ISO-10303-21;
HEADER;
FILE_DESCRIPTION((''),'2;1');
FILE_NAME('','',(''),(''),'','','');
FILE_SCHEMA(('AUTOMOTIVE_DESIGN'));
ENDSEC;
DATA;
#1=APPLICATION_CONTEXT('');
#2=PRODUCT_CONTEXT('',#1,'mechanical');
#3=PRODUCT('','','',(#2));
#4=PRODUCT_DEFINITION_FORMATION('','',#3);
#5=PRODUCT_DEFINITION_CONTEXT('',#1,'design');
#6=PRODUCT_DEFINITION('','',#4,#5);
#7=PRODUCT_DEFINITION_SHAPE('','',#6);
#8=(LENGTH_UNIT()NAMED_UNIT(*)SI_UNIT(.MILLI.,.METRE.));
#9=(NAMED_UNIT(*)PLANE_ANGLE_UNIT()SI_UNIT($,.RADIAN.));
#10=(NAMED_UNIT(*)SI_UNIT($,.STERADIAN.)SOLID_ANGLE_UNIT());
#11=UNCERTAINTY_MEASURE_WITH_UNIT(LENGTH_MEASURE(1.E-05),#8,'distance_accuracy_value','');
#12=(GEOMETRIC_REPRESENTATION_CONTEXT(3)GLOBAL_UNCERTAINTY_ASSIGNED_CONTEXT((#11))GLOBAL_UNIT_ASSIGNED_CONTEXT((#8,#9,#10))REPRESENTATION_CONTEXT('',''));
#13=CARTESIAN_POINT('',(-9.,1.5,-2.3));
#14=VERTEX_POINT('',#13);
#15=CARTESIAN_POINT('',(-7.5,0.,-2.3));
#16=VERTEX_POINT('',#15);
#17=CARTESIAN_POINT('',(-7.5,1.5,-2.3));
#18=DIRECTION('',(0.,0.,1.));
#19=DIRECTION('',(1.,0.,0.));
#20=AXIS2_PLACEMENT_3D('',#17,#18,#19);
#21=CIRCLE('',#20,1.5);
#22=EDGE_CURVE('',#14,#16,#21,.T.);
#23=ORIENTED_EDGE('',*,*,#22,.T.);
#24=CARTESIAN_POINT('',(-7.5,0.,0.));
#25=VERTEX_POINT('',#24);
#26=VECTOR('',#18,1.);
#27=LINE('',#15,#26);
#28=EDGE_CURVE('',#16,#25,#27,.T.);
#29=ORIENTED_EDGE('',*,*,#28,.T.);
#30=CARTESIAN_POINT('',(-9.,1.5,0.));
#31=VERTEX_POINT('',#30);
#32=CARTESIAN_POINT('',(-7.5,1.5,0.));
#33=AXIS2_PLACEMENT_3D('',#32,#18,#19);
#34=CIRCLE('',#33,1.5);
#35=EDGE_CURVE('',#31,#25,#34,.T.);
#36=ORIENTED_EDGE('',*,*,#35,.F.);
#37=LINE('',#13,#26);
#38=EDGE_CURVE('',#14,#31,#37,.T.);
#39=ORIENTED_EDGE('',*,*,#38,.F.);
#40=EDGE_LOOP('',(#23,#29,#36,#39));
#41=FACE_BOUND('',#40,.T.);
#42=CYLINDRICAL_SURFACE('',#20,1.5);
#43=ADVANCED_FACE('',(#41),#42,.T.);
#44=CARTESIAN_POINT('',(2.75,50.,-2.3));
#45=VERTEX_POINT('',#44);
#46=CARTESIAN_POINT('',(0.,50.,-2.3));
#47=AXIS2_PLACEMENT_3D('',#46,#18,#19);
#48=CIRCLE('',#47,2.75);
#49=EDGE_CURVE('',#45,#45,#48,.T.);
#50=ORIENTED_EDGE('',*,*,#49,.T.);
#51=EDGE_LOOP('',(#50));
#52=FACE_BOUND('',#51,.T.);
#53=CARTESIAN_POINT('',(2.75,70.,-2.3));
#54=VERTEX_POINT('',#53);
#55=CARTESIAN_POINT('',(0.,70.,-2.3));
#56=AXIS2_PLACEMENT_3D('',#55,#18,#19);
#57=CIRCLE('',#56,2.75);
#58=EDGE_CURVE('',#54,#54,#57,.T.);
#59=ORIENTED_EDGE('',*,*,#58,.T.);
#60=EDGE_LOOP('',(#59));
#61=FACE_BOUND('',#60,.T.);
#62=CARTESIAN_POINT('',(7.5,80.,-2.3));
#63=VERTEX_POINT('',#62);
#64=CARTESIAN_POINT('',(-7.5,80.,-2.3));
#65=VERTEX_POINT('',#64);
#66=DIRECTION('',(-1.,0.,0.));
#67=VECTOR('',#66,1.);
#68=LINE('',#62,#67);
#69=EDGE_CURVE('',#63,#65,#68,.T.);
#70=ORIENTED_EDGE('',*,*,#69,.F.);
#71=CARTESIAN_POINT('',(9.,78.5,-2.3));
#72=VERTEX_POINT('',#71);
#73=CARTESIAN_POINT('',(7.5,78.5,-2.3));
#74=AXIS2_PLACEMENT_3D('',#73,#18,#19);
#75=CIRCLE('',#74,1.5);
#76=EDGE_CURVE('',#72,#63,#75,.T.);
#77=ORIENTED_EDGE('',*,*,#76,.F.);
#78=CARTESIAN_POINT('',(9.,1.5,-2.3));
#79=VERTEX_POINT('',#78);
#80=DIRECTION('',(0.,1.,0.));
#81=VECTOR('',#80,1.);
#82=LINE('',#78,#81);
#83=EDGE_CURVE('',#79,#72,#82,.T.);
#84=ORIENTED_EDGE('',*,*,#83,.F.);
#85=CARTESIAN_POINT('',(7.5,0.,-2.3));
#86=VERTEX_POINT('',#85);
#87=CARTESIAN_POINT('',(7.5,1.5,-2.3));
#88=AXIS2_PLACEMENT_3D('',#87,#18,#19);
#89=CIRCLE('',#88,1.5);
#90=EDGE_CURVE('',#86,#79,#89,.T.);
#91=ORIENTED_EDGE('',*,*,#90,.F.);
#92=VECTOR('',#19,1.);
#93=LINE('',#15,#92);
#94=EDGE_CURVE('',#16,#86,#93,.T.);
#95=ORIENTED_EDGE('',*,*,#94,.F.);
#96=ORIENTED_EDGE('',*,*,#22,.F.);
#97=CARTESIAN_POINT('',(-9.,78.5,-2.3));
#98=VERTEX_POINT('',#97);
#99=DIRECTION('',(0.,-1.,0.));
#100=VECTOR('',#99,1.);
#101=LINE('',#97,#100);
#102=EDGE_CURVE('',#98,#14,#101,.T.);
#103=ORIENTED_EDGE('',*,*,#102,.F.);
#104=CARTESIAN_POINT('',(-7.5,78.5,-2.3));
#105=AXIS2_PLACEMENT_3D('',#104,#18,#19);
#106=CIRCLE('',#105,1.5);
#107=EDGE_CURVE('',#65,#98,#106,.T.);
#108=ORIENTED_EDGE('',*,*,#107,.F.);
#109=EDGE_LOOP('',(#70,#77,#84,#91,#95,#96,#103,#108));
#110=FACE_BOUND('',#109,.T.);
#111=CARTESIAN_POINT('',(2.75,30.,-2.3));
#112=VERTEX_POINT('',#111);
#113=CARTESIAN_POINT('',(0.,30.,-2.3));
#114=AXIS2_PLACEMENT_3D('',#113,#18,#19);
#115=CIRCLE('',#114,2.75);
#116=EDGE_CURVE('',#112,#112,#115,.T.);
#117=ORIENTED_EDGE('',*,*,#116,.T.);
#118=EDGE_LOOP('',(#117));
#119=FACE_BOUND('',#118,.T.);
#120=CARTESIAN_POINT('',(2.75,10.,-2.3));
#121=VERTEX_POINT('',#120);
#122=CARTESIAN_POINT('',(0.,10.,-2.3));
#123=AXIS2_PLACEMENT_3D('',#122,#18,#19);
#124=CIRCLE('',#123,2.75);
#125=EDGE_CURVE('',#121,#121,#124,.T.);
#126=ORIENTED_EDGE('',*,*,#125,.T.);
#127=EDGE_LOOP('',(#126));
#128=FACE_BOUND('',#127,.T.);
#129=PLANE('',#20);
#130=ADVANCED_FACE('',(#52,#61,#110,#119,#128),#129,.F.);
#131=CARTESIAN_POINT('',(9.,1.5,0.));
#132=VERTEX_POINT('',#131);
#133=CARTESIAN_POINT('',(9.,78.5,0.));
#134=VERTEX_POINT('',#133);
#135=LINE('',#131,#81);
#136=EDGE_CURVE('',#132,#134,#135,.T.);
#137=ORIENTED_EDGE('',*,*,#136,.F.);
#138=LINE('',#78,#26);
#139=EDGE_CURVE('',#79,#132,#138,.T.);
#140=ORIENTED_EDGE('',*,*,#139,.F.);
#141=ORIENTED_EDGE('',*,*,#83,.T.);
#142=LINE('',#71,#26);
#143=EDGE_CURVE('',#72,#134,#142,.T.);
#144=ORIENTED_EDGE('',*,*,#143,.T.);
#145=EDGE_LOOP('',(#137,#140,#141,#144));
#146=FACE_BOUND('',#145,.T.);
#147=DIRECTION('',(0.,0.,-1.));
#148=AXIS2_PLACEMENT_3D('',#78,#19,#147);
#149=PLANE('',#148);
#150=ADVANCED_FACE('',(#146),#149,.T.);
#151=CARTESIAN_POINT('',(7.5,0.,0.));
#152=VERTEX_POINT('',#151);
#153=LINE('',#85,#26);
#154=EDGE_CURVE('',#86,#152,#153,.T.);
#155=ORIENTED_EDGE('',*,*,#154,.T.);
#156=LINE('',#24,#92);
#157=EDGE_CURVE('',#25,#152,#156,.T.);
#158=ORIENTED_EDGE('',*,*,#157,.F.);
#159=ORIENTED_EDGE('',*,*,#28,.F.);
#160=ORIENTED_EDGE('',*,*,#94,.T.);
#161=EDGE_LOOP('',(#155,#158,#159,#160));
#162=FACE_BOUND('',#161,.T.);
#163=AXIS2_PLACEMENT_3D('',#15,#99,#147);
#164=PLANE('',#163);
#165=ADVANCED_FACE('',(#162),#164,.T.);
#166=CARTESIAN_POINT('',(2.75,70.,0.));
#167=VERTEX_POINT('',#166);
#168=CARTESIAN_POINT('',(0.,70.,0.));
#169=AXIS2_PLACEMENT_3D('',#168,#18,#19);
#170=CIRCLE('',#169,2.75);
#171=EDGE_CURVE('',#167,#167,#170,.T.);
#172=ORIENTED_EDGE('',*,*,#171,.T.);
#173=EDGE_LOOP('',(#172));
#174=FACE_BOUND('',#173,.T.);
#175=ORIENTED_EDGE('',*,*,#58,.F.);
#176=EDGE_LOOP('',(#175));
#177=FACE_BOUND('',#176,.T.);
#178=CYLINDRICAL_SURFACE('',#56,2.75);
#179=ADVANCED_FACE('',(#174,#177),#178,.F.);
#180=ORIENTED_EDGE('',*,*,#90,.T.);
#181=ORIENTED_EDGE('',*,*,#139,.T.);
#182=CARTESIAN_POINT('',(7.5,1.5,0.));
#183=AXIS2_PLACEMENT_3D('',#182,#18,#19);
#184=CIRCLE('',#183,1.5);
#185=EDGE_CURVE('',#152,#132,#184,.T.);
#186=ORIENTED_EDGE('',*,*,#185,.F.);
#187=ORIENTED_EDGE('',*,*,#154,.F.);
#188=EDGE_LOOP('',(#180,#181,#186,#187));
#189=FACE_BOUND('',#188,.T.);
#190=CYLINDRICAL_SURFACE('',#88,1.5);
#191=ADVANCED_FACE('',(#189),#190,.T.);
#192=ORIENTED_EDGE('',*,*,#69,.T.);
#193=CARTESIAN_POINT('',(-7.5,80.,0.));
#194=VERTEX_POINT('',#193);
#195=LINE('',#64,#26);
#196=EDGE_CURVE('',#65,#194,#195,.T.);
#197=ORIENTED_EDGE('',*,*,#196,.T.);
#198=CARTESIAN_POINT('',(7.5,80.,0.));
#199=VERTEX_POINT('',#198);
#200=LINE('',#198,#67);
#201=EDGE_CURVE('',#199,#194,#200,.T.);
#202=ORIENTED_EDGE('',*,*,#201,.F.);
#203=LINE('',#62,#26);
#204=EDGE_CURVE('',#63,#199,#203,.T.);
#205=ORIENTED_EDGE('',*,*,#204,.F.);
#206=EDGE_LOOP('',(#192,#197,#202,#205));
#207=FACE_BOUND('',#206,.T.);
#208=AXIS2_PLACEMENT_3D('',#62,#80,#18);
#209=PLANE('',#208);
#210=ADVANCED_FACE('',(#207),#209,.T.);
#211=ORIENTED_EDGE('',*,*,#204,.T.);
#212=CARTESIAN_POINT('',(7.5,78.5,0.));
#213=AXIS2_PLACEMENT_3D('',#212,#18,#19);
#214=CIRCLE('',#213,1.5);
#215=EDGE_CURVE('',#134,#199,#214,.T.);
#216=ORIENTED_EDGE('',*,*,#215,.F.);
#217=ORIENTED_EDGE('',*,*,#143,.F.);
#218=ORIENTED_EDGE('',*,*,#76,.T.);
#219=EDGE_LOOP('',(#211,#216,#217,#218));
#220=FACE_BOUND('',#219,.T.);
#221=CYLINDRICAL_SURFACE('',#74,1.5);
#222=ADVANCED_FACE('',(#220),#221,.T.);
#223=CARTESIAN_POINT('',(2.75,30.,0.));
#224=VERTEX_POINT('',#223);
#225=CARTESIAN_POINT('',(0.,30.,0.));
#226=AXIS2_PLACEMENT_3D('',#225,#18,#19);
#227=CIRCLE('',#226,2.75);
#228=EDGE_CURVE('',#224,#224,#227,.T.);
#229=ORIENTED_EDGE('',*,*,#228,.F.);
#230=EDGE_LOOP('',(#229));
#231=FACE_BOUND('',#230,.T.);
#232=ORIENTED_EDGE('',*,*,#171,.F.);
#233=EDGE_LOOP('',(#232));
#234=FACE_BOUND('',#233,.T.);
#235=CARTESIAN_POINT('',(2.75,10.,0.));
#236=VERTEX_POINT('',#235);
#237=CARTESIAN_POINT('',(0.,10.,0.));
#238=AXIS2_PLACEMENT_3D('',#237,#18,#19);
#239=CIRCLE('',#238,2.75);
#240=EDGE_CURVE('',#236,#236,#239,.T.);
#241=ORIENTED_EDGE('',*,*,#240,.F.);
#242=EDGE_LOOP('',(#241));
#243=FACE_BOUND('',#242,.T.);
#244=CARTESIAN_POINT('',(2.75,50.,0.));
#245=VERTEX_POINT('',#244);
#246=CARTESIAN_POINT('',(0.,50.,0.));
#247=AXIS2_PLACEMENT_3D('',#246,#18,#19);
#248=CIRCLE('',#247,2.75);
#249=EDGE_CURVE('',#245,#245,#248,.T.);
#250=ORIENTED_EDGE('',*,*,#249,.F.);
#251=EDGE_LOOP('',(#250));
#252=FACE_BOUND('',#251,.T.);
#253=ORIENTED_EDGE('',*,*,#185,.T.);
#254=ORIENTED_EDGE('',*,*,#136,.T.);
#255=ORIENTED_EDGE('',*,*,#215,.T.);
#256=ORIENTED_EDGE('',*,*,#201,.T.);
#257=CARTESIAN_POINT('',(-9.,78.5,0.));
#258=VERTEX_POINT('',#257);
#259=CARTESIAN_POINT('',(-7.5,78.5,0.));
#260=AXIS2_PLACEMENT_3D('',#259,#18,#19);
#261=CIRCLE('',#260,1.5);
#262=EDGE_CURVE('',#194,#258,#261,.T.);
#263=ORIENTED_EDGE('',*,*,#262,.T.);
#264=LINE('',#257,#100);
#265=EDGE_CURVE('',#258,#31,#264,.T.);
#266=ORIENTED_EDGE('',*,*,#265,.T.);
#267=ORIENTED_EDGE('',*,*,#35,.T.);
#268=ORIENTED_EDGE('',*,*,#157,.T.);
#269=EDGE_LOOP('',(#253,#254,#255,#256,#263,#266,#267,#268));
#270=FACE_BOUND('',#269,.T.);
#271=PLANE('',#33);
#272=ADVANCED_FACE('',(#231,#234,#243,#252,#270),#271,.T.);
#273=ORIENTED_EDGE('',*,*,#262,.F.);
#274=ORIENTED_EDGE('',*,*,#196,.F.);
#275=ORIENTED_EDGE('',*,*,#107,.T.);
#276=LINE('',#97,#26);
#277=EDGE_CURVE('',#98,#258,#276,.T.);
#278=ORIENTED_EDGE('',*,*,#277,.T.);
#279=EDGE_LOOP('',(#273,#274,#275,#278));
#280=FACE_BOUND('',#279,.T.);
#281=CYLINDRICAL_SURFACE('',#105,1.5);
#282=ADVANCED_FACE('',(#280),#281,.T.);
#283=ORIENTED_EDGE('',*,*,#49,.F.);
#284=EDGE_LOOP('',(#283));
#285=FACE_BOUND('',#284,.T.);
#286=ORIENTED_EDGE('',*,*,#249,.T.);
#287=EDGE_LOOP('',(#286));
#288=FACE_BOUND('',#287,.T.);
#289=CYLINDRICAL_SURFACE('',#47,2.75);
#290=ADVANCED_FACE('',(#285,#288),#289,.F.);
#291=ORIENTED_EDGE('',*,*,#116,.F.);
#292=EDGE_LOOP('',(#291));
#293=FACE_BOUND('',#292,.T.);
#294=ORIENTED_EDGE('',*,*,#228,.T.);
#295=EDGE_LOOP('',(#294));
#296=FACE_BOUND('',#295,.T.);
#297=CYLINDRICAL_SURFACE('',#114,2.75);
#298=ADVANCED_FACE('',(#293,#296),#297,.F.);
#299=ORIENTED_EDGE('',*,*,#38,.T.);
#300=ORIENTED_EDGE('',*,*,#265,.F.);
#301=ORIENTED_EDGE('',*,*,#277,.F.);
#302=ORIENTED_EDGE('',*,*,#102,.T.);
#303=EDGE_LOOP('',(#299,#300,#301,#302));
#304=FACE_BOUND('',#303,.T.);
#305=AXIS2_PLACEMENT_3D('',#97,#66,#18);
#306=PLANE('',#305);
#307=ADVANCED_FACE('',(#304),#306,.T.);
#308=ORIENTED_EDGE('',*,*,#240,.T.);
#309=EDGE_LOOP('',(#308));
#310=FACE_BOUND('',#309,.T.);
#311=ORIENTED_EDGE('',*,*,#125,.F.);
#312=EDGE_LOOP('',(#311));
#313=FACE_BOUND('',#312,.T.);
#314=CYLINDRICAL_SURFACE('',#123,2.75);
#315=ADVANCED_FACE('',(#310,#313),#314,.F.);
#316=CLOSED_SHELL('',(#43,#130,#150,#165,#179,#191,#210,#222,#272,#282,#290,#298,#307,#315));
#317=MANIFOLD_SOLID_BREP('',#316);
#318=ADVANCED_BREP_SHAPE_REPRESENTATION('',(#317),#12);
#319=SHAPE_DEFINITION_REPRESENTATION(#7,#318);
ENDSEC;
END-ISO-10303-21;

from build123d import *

# Parameters (mm, degrees)
SKETCH1_R           = 2.75
BOSS_EXTRUDE1_DEPTH = 2.3


with BuildPart() as part:
    # Sketch1 → Boss-Extrude1 (new body)
    with BuildSketch(Plane.XY):
        with BuildLine():
            Line((-7.5, 0), (7.5, 0))
            ThreePointArc((7.5, 0), (8.560660172, 0.439339828), (9, 1.5))
            Line((9, 1.5), (9, 78.5))
            ThreePointArc((9, 78.5), (8.560660172, 79.560660172), (7.5, 80))
            Line((7.5, 80), (-7.5, 80))
            ThreePointArc((-7.5, 80), (-8.560660172, 79.560660172), (-9, 78.5))
            Line((-9, 78.5), (-9, 1.5))
            ThreePointArc((-9, 1.5), (-8.560660172, 0.439339828), (-7.5, 0))
        make_face()
        with Locations((0, 70)):
            Circle(SKETCH1_R, mode=Mode.SUBTRACT)
        with Locations((0, 50)):
            Circle(SKETCH1_R, mode=Mode.SUBTRACT)
        with Locations((0, 30)):
            Circle(SKETCH1_R, mode=Mode.SUBTRACT)
        with Locations((0, 10)):
            Circle(SKETCH1_R, mode=Mode.SUBTRACT)
    extrude(amount=-BOSS_EXTRUDE1_DEPTH)


solid = part.part
